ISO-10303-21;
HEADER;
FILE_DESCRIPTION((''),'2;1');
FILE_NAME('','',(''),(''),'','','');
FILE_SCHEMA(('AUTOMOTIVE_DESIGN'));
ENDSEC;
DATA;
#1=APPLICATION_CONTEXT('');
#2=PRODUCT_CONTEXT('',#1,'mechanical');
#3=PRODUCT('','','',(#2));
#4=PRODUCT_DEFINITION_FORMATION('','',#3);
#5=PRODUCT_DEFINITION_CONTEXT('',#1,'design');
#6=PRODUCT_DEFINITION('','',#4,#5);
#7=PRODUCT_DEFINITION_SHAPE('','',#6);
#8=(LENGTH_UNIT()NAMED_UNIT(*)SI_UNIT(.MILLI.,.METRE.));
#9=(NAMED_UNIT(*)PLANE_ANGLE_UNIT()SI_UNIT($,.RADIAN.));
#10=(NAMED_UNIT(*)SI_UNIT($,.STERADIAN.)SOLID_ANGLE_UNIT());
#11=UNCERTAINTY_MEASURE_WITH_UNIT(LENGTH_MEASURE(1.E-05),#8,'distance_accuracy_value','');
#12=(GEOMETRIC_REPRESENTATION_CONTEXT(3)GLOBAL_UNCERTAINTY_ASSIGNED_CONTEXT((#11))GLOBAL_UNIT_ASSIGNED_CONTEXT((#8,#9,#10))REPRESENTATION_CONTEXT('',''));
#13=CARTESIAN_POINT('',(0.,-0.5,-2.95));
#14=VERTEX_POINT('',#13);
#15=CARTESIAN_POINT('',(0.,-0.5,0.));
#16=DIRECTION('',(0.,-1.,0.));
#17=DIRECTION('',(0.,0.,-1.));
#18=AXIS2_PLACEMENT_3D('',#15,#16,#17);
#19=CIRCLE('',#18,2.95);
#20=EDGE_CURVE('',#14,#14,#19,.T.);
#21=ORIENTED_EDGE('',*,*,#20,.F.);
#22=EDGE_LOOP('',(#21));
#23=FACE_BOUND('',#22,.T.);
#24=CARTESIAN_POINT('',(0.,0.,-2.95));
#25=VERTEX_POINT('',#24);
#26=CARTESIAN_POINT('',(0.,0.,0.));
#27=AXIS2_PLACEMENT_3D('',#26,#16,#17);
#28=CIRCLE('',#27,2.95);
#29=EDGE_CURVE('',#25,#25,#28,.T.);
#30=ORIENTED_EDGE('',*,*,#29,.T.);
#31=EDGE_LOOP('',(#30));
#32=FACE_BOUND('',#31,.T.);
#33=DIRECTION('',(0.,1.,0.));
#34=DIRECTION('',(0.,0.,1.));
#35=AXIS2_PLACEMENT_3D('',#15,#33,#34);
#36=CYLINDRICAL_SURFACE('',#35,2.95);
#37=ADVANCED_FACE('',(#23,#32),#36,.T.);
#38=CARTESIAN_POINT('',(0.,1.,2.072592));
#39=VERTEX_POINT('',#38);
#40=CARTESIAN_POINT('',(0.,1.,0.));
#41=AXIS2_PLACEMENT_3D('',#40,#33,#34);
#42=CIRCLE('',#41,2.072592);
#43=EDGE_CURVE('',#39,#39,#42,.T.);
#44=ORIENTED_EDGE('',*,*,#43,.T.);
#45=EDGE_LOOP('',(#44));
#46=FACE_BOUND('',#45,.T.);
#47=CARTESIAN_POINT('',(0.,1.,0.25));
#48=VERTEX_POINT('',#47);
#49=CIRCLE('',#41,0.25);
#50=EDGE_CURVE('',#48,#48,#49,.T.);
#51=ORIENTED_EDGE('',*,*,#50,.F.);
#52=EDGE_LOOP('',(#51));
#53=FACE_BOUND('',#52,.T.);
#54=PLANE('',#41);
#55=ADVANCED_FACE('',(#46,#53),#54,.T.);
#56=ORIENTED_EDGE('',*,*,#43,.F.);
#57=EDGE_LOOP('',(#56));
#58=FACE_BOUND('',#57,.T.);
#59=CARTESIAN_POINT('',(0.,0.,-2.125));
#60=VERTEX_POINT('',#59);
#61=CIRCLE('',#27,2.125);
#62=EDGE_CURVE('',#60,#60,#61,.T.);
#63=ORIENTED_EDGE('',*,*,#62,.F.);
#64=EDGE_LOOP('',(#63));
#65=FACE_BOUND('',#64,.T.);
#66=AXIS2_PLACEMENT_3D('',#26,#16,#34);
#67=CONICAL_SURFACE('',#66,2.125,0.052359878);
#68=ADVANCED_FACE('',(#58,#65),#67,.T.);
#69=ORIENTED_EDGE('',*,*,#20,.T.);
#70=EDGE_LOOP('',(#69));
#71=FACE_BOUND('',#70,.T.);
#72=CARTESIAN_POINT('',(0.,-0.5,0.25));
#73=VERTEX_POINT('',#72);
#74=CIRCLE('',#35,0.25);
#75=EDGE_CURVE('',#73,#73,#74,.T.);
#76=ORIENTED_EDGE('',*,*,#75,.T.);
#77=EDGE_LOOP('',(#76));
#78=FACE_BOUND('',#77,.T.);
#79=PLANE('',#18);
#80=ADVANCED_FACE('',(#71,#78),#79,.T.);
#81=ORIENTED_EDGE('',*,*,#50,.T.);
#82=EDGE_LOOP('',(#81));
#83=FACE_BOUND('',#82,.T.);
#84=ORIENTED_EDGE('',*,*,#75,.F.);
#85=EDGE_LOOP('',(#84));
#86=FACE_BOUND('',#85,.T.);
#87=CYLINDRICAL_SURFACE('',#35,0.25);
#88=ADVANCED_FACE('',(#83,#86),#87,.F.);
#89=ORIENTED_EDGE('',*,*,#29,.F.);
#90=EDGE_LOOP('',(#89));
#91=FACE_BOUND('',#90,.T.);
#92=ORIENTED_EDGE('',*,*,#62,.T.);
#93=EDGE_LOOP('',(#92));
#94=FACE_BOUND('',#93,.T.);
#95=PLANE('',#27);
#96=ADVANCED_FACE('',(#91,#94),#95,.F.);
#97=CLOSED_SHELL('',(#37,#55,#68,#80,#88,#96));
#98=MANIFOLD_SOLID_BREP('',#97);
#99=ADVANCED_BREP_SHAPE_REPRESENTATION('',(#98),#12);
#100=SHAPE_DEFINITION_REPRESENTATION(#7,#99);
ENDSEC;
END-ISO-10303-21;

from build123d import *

# Parameters (mm, degrees)
SKETCH1_R           = 2.125
BOSS_EXTRUDE1_DEPTH = 1
BOSS_EXTRUDE1_TAPER = 3
SKETCH2_R           = 2.95
BOSS_EXTRUDE2_DEPTH = 0.5
SKETCH3_R           = 0.25
CUT_EXTRUDE1_DEPTH  = 5.43339599


with BuildPart() as part:
    # Sketch1 → Boss-Extrude1 (new body)
    with BuildSketch(Plane(origin=(0, 0, 0), x_dir=(1, 0, 0), z_dir=(0, 1, 0))):
        Circle(SKETCH1_R)
    extrude(amount=BOSS_EXTRUDE1_DEPTH, taper=BOSS_EXTRUDE1_TAPER)

    # Sketch2 → Boss-Extrude2 (add)
    with BuildSketch(Plane.XZ):
        with Locations(Location((0, 0, 0), (0, 0, 270))):
            Circle(SKETCH2_R)
    extrude(amount=BOSS_EXTRUDE2_DEPTH)

    # Sketch3 → Cut-Extrude1 (cut, through all)
    with BuildSketch(Plane(origin=(0, 1, 0), x_dir=(1, 0, 0), z_dir=(0, 1, 0))):
        with Locations(Location((0, 0, 0), (0, 0, 270))):
            Circle(SKETCH3_R)
    extrude(amount=-CUT_EXTRUDE1_DEPTH, mode=Mode.SUBTRACT)


solid = part.part
